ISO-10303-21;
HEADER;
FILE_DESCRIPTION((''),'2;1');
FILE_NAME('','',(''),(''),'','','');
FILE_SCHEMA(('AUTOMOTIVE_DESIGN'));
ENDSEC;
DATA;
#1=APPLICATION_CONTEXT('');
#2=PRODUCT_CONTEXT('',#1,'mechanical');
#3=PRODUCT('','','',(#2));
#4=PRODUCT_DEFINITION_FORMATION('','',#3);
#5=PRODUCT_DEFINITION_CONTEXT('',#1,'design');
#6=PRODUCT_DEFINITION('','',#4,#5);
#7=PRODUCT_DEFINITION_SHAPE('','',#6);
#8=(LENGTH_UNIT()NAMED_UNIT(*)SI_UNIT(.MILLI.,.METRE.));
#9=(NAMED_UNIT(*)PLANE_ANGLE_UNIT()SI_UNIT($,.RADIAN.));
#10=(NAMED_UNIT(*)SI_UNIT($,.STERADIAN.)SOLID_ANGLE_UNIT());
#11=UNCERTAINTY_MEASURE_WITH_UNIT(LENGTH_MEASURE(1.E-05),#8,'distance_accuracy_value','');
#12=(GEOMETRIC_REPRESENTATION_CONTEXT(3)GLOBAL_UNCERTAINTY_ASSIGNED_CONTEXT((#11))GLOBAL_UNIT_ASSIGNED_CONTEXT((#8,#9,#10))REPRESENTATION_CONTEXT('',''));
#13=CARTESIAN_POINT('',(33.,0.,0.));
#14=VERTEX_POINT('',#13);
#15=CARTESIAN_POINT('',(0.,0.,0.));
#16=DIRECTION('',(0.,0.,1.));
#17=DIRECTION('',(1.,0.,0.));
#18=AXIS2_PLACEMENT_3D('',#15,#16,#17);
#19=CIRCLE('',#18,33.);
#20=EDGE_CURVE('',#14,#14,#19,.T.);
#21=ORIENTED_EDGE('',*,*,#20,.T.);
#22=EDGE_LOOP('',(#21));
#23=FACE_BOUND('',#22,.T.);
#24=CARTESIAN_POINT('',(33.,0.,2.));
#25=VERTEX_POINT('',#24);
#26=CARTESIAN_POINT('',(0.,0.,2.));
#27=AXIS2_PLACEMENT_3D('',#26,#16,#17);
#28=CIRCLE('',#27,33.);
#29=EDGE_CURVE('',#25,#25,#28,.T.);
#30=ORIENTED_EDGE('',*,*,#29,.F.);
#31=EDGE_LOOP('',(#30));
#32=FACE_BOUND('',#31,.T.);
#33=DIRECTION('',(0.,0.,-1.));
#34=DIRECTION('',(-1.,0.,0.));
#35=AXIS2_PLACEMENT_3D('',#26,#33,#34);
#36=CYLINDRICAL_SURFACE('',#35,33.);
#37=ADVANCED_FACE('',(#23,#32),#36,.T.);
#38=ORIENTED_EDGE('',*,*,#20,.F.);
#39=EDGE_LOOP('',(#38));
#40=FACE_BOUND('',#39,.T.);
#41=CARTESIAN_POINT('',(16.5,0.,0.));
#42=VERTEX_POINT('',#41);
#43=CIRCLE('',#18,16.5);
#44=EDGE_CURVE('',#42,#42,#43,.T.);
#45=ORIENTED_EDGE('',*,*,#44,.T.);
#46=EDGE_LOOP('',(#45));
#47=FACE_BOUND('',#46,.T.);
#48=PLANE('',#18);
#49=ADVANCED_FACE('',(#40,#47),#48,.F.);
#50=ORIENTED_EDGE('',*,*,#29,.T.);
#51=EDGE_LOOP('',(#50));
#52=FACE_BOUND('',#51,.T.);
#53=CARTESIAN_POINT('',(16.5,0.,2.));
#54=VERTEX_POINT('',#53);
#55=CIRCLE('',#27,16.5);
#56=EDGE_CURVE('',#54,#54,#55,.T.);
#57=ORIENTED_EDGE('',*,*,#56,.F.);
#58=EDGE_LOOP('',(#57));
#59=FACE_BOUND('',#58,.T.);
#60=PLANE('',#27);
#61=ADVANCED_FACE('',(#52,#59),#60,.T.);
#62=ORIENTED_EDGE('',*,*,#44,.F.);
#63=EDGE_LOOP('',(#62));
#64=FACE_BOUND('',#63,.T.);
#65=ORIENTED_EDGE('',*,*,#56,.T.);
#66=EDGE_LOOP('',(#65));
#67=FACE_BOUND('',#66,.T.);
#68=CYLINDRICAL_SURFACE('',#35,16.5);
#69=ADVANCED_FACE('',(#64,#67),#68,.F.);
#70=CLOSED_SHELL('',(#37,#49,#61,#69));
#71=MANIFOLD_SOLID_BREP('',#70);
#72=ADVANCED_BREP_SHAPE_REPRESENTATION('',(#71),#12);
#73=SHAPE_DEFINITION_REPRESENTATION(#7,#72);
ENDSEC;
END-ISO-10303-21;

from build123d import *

# Parameters (mm, degrees)
ESQUISSE1_R          = 33
ESQUISSE1_R_2        = 16.5
BASE_EXTRUSION_DEPTH = 2


with BuildPart() as part:
    # Esquisse1 → Base-Extrusion (new body)
    with BuildSketch(Plane.XY):
        Circle(ESQUISSE1_R)
        Circle(ESQUISSE1_R_2, mode=Mode.SUBTRACT)
    extrude(amount=BASE_EXTRUSION_DEPTH)


solid = part.part
